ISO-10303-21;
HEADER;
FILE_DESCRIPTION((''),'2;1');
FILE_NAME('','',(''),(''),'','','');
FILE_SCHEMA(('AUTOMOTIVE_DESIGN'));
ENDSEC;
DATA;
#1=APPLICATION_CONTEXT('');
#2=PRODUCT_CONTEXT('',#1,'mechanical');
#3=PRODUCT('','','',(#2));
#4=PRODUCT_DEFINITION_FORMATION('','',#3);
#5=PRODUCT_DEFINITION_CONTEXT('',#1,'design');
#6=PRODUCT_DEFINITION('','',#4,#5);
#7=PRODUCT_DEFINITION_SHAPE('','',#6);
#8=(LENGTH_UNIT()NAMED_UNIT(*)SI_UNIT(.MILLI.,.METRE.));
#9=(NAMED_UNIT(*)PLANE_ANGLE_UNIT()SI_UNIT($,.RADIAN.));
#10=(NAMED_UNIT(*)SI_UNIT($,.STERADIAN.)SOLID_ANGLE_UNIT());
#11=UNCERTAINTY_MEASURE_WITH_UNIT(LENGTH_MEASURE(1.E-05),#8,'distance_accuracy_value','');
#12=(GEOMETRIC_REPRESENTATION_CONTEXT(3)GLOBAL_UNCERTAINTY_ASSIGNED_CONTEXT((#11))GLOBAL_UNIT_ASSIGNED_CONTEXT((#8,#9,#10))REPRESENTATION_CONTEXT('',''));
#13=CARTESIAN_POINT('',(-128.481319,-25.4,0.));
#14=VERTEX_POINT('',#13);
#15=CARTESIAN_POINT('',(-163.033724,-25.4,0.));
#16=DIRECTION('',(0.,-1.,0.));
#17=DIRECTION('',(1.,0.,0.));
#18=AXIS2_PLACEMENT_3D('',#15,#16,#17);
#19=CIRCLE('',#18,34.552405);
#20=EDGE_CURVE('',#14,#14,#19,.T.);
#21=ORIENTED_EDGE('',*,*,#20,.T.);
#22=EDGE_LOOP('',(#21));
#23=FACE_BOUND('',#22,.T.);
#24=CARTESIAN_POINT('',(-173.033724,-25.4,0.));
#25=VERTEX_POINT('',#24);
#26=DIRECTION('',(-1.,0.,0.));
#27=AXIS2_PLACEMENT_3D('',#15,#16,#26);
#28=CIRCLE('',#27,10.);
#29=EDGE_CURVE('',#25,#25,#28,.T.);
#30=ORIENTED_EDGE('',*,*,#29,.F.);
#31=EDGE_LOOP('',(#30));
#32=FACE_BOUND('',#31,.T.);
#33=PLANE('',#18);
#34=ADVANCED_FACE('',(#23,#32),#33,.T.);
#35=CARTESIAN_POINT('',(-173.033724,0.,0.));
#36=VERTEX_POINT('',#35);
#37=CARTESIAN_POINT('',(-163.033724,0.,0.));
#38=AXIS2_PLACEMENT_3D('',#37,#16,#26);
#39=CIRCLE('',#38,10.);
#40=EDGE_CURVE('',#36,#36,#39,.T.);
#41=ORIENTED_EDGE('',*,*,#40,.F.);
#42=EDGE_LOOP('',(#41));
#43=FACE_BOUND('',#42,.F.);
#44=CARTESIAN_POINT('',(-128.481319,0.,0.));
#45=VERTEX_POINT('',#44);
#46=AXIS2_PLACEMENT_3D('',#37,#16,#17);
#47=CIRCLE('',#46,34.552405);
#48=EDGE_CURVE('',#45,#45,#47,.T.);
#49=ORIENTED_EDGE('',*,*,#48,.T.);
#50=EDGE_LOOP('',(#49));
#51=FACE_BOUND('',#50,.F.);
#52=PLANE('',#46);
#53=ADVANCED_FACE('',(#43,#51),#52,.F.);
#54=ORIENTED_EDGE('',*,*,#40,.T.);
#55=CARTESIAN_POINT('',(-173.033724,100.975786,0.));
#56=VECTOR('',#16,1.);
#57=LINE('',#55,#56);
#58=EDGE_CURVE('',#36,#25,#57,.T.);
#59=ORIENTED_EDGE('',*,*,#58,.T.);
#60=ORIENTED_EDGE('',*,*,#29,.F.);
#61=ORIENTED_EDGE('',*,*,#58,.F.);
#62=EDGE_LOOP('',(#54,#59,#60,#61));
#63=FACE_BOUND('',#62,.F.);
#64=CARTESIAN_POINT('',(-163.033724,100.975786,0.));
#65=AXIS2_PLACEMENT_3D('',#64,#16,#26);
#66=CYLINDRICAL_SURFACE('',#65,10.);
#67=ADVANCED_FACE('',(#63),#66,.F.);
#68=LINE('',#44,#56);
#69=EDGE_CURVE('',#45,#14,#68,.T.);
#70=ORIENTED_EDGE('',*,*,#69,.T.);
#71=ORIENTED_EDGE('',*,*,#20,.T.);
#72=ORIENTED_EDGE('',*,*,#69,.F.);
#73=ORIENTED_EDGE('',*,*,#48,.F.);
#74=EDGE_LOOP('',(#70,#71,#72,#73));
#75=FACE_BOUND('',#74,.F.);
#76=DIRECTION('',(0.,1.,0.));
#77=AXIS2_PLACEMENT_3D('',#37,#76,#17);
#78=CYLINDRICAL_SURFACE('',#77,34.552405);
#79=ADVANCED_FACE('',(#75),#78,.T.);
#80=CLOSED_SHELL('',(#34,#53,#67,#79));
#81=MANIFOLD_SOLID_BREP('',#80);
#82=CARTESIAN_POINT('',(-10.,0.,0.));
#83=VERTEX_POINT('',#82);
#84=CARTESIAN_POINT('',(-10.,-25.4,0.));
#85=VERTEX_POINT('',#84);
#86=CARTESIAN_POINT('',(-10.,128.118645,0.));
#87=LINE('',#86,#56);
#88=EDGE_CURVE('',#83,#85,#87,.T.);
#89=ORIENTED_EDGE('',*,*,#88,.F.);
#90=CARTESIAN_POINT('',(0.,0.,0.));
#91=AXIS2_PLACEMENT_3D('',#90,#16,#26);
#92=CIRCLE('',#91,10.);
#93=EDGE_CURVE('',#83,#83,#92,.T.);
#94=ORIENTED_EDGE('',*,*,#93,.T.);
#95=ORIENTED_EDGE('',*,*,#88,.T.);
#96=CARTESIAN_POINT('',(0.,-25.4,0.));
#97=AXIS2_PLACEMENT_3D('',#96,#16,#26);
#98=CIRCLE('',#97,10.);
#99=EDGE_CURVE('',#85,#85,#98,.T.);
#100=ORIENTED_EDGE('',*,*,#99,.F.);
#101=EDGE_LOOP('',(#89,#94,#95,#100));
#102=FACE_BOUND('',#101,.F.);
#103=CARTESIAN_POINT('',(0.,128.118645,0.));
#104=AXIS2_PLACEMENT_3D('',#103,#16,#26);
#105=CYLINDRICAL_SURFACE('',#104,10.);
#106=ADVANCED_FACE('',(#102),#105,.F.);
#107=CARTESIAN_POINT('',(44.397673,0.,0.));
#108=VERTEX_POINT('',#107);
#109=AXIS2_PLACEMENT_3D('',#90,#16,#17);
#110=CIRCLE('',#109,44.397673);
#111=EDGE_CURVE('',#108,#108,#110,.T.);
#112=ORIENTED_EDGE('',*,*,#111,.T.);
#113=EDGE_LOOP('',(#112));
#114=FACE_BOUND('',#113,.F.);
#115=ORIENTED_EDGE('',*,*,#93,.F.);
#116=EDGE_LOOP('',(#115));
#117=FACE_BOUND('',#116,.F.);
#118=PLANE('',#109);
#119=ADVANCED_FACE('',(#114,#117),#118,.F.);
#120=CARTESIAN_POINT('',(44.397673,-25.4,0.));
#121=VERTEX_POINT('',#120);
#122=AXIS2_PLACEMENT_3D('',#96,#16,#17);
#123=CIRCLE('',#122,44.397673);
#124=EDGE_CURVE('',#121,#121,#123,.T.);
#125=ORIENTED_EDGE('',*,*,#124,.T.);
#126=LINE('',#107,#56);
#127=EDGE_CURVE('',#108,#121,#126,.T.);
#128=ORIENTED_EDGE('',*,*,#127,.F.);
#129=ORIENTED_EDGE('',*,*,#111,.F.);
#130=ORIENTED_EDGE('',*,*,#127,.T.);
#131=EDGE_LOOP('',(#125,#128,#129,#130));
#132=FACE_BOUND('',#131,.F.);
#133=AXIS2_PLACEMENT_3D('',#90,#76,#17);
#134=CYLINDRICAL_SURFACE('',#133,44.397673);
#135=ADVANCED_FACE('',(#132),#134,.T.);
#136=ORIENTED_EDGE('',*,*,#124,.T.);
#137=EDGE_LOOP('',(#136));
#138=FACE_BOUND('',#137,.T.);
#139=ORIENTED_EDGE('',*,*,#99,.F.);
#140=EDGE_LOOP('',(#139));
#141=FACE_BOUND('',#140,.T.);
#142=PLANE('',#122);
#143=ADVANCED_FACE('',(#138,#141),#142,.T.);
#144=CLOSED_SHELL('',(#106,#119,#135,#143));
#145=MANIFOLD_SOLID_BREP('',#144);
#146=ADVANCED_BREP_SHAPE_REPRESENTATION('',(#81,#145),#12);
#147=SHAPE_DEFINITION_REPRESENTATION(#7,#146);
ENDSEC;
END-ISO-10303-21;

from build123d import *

# Parameters (mm, degrees)
F1_R     = 44.3976733483
F2_DEPTH = 25.4
F3_D     = 20
F4_R     = 34.552404507
F5_DEPTH = 25.4
F6_D     = 20


with BuildPart() as f2:
    # F1 (on face) → F2 (new body)
    with BuildSketch(Plane.XZ):
        Circle(F1_R)
    extrude(amount=F2_DEPTH)

    # F3 (through all)
    with Locations(Plane(origin=(0, 0, 0), x_dir=(1, 0, 0), z_dir=(0, 1, 0))):
        with Locations((0, 0)):
            Hole(F3_D / 2)


with BuildPart() as f5:
    # F4 (on Front) → F5 (new body)
    with BuildSketch(Plane.XZ):
        with Locations((-163.0337238312, 0)):
            Circle(F4_R)
    extrude(amount=F5_DEPTH)

    # F6 (through all)
    with Locations(Plane(origin=(0, 0, 0), x_dir=(1, 0, 0), z_dir=(0, 1, 0))):
        with Locations((-163.0337238312, 0)):
            Hole(F6_D / 2)


solid = Compound([f2.part, f5.part])
